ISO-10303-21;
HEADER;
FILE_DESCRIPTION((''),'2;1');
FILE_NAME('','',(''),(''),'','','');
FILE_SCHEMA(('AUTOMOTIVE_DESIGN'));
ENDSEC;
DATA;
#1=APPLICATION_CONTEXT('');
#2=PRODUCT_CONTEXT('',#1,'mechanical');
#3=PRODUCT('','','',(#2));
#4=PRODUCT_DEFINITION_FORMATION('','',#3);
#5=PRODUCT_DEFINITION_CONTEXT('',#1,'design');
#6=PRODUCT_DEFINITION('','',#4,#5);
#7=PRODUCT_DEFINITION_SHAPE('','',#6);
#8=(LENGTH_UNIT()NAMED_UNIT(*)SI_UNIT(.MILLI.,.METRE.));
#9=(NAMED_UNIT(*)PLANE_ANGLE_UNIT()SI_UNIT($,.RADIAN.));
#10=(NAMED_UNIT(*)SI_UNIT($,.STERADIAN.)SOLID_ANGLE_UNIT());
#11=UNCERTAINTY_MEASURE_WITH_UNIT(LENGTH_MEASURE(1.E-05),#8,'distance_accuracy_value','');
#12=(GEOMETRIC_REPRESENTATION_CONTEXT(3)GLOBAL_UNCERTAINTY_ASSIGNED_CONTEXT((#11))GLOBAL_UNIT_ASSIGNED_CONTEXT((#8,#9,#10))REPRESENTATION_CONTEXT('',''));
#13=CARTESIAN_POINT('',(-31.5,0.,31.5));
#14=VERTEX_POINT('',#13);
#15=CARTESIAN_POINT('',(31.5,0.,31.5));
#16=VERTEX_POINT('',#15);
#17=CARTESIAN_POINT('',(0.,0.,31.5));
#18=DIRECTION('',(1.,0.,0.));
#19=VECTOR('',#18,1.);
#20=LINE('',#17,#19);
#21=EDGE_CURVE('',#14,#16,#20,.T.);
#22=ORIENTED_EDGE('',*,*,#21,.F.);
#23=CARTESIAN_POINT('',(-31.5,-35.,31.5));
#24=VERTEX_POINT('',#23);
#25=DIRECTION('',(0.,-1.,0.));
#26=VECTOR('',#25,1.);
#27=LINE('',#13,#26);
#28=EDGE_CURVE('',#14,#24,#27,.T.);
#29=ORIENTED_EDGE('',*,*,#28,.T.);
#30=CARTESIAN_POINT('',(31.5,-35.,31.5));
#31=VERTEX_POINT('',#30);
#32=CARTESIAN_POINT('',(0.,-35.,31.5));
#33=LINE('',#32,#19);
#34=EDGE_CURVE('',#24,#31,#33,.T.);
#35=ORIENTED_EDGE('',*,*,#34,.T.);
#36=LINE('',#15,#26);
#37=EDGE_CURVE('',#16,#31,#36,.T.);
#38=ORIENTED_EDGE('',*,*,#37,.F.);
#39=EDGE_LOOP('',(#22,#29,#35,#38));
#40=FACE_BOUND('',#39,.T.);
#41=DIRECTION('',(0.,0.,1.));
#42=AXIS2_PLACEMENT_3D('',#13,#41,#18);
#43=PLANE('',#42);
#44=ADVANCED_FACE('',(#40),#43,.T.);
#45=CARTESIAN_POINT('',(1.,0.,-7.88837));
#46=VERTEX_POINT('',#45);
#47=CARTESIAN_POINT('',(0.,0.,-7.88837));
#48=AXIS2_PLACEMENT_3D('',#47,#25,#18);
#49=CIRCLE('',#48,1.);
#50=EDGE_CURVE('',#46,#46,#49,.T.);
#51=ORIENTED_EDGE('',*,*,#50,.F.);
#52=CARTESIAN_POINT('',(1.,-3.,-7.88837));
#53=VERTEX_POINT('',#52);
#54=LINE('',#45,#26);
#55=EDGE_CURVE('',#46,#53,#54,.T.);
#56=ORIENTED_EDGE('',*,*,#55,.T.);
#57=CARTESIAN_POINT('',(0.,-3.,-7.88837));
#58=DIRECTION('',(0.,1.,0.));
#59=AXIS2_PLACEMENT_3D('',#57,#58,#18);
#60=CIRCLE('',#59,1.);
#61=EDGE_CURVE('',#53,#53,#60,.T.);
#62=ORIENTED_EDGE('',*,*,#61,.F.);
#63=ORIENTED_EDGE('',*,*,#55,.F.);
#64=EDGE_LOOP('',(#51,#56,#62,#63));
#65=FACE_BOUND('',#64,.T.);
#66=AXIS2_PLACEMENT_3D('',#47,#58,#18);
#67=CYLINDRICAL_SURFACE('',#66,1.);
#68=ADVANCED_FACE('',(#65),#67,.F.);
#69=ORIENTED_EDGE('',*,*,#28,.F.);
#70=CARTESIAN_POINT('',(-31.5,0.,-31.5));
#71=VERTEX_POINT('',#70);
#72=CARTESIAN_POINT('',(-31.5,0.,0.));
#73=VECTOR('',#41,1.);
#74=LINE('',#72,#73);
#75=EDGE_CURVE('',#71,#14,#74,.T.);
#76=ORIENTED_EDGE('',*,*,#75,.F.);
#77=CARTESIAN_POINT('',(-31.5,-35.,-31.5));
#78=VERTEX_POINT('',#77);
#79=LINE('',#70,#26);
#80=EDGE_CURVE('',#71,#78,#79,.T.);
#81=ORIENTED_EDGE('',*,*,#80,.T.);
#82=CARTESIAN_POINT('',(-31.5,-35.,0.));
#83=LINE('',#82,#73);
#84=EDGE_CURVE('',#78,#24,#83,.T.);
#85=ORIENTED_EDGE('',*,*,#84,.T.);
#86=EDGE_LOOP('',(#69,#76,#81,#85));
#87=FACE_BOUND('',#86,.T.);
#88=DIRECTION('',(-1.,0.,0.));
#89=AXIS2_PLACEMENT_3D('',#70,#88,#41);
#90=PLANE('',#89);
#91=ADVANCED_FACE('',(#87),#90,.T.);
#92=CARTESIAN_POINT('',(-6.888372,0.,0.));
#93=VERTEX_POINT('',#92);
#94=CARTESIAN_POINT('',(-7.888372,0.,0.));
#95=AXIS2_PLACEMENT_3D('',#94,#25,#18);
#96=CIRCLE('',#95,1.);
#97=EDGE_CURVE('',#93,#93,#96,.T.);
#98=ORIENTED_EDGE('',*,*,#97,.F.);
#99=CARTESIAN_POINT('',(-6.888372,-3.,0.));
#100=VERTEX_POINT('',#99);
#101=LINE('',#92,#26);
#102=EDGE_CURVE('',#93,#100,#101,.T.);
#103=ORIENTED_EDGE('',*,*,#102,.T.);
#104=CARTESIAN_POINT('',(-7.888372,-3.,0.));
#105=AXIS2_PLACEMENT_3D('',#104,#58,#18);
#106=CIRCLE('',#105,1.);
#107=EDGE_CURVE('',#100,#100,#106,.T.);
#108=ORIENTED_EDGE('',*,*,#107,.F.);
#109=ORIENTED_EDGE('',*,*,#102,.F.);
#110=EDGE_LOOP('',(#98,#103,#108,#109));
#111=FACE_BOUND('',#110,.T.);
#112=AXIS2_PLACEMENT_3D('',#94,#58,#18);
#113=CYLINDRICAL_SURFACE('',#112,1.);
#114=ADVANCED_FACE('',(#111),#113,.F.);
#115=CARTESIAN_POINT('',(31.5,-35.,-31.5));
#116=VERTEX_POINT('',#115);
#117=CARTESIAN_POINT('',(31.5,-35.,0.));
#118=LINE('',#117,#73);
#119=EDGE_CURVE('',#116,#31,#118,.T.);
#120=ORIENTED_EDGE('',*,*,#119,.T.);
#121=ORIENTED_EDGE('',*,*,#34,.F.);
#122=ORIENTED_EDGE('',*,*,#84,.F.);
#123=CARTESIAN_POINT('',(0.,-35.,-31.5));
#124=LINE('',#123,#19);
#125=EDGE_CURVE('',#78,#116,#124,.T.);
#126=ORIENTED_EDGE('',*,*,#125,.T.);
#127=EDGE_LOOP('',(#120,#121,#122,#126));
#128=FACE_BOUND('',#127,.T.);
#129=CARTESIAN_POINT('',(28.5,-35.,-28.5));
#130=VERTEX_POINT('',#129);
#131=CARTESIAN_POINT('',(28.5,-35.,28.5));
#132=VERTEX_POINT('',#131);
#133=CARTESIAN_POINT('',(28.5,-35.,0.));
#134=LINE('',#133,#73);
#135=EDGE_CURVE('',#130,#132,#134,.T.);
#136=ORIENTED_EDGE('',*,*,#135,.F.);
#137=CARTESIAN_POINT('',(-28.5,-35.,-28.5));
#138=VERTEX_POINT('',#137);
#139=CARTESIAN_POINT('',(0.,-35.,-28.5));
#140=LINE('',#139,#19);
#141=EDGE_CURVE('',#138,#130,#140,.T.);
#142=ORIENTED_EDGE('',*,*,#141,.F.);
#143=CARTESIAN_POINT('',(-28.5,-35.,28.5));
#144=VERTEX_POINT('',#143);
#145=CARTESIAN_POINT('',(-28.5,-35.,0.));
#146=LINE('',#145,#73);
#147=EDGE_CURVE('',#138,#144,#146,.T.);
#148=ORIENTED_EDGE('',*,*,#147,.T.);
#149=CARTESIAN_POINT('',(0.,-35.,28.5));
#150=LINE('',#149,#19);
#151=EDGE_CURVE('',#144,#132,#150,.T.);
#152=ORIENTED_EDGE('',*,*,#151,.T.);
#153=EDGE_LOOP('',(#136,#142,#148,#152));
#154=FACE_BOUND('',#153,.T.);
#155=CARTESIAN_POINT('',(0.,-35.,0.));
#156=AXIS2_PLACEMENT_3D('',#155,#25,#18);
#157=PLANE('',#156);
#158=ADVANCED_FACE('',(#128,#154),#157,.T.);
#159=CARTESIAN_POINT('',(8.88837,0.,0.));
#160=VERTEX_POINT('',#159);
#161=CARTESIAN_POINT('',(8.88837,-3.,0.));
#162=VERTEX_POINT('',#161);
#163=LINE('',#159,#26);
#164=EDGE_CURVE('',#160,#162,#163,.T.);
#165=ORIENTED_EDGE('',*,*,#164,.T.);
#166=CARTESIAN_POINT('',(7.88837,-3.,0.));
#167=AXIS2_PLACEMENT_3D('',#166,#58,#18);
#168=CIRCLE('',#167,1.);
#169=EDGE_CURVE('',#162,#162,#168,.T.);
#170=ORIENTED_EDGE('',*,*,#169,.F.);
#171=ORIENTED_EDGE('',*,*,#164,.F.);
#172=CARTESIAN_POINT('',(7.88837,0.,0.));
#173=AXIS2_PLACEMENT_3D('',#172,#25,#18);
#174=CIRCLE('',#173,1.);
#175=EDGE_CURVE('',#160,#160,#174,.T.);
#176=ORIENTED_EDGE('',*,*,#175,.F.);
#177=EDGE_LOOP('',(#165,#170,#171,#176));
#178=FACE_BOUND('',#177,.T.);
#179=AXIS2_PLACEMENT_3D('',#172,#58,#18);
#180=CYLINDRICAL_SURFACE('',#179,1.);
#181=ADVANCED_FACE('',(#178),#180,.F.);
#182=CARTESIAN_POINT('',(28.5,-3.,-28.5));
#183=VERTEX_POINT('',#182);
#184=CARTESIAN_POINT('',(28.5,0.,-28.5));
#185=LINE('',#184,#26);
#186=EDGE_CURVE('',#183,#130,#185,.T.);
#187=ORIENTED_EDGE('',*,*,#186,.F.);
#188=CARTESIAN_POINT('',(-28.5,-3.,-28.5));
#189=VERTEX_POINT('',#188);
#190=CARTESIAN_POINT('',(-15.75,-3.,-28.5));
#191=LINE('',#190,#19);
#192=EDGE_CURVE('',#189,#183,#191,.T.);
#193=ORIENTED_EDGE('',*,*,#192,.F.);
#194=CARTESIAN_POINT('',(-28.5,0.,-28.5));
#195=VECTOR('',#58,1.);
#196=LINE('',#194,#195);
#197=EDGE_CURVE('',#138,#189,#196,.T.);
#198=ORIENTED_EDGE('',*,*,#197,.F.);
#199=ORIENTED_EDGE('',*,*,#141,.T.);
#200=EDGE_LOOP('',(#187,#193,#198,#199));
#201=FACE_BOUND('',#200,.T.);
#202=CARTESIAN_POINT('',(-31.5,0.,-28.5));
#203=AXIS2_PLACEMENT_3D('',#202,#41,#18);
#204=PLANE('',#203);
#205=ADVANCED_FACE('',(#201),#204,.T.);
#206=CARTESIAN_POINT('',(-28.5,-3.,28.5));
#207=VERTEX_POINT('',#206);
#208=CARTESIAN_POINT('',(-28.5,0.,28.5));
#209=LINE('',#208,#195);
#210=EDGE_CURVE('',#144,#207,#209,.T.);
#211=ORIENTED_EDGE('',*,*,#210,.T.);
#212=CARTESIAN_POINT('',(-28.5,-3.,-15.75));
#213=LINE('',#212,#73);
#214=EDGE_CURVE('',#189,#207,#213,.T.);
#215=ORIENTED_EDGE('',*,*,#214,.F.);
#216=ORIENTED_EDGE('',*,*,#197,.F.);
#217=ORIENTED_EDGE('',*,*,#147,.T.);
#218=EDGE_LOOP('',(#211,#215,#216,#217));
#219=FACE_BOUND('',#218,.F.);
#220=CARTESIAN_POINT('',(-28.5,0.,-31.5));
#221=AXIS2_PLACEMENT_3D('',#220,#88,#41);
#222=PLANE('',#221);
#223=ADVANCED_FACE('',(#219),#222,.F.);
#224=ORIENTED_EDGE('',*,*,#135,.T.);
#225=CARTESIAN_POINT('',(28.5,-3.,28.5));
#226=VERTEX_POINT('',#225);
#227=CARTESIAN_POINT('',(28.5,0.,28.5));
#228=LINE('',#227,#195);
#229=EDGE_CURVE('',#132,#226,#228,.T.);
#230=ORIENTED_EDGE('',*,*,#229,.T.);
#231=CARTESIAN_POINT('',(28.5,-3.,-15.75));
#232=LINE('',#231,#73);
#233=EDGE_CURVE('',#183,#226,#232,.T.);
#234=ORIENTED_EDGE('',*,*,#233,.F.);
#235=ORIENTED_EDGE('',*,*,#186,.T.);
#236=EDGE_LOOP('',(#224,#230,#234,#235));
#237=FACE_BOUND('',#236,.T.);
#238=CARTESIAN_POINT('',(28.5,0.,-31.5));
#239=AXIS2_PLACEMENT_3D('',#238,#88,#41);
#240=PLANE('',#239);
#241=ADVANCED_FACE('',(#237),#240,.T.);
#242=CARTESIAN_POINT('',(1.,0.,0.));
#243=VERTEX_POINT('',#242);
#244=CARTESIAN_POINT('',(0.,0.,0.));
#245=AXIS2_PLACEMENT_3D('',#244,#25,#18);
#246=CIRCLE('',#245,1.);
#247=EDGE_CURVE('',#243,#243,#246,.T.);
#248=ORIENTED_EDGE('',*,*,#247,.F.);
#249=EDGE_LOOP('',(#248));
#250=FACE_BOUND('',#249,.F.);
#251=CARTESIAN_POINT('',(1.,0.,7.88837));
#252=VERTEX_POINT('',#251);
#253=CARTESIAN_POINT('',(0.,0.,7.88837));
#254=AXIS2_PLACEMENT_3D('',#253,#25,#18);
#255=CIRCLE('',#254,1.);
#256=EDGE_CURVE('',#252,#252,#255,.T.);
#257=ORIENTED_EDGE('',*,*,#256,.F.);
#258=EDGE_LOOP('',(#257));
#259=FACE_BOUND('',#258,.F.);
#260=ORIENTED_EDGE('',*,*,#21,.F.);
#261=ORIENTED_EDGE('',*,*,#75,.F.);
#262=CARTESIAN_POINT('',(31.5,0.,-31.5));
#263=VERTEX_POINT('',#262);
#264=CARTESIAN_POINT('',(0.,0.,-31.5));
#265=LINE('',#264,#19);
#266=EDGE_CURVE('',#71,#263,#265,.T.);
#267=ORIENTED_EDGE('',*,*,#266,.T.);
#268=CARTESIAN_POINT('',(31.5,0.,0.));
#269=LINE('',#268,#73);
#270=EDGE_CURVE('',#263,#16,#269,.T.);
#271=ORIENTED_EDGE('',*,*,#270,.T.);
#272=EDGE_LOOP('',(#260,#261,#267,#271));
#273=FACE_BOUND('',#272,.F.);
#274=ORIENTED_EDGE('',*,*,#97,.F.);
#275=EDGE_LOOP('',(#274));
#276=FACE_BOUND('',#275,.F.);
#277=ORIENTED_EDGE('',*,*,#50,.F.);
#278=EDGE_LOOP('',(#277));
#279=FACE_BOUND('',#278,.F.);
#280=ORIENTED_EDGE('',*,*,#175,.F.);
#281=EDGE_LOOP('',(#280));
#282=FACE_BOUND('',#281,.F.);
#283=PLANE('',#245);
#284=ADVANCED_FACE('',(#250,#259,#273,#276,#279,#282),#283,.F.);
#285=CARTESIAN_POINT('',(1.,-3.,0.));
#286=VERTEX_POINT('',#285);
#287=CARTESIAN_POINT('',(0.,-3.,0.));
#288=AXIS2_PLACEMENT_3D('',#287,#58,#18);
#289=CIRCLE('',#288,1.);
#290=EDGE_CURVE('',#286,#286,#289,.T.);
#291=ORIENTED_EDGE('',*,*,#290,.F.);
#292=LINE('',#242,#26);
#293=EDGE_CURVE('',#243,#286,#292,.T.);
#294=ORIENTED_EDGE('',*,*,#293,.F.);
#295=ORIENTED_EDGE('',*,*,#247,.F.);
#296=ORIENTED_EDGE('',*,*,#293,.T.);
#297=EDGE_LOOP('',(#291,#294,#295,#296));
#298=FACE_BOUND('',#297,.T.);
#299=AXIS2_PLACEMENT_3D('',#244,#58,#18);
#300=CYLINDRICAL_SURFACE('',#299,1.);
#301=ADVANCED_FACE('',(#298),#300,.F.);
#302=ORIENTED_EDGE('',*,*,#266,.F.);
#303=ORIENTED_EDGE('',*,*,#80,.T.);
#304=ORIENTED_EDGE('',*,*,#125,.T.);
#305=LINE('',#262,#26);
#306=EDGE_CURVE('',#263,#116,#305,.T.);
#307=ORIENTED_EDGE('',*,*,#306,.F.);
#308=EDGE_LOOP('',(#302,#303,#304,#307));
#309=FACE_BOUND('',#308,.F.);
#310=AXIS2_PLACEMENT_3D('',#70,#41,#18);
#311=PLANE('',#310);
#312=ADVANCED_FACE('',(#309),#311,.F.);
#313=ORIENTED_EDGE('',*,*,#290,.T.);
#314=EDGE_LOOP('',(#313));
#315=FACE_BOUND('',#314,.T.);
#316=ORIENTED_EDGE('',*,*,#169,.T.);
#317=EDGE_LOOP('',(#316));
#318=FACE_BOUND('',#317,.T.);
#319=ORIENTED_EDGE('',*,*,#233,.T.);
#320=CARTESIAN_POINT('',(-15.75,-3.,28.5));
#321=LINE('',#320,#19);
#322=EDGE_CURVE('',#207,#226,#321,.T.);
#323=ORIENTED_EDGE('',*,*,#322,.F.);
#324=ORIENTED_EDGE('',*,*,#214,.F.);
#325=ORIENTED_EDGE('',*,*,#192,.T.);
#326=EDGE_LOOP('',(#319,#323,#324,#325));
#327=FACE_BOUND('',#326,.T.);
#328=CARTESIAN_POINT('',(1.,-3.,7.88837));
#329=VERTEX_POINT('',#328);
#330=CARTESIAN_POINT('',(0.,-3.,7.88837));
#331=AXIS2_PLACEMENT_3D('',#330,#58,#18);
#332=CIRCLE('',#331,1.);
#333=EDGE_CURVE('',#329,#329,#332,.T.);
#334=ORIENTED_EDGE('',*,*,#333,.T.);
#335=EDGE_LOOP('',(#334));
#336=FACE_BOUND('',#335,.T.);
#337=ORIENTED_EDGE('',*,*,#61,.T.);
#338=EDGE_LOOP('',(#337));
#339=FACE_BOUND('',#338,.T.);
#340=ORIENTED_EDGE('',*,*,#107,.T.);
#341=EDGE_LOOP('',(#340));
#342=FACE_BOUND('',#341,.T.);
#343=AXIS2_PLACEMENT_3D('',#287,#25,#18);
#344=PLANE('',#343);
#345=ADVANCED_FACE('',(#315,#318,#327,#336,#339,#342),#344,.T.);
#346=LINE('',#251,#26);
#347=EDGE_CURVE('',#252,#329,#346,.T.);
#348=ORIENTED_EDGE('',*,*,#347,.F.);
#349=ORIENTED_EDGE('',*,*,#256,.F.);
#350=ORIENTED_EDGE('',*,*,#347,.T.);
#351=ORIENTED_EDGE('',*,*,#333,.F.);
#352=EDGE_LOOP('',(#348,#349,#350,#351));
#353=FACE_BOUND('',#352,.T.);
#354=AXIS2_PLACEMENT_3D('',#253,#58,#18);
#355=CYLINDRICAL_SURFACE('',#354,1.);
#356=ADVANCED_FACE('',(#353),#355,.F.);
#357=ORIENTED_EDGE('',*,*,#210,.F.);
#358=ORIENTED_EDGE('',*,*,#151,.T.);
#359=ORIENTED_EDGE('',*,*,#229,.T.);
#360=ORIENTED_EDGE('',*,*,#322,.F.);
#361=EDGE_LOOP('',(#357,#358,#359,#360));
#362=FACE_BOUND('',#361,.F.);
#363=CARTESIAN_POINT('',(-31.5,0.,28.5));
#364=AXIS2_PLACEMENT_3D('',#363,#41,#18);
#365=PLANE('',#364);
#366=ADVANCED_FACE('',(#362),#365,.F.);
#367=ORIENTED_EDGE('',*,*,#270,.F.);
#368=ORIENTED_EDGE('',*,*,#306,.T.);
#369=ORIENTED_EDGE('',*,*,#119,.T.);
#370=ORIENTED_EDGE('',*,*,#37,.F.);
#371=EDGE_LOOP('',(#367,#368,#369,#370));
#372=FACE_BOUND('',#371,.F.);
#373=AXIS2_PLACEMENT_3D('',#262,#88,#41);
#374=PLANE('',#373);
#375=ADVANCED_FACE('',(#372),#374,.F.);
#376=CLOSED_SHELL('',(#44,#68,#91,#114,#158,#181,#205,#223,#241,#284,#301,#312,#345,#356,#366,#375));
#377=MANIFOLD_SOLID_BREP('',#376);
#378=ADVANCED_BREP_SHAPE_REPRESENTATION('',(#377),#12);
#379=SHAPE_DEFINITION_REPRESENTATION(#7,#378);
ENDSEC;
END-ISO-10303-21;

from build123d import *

# Parameters (mm, degrees)
F0_W     = 63
F0_H     = 63
F1_DEPTH = 35
F2_T     = -3
F4_R     = 1
F5_DEPTH = 25


with BuildPart() as f1:
    # F0 (on Front) → F1 (new body)
    with BuildSketch(Plane.XZ):
        Rectangle(F0_W, F0_H)
    extrude(amount=F1_DEPTH)

    # F2
    f2_openings = [f1.faces().sort_by_distance(p)[0] for p in [
        (0, -35, 0),
    ]]
    offset(amount=F2_T, openings=f2_openings)

    # F4 (on Front) → F5 (cut)
    with BuildSketch(Plane.XZ):
        with Locations((7.88837, 0)):
            Circle(F4_R)
        with Locations((-7.888372, 0)):
            Circle(F4_R)
        with Locations((0, 7.88837)):
            Circle(F4_R)
        with Locations((0, -7.88837)):
            Circle(F4_R)
        Circle(F4_R)
    extrude(amount=F5_DEPTH, mode=Mode.SUBTRACT)


solid = f1.part
